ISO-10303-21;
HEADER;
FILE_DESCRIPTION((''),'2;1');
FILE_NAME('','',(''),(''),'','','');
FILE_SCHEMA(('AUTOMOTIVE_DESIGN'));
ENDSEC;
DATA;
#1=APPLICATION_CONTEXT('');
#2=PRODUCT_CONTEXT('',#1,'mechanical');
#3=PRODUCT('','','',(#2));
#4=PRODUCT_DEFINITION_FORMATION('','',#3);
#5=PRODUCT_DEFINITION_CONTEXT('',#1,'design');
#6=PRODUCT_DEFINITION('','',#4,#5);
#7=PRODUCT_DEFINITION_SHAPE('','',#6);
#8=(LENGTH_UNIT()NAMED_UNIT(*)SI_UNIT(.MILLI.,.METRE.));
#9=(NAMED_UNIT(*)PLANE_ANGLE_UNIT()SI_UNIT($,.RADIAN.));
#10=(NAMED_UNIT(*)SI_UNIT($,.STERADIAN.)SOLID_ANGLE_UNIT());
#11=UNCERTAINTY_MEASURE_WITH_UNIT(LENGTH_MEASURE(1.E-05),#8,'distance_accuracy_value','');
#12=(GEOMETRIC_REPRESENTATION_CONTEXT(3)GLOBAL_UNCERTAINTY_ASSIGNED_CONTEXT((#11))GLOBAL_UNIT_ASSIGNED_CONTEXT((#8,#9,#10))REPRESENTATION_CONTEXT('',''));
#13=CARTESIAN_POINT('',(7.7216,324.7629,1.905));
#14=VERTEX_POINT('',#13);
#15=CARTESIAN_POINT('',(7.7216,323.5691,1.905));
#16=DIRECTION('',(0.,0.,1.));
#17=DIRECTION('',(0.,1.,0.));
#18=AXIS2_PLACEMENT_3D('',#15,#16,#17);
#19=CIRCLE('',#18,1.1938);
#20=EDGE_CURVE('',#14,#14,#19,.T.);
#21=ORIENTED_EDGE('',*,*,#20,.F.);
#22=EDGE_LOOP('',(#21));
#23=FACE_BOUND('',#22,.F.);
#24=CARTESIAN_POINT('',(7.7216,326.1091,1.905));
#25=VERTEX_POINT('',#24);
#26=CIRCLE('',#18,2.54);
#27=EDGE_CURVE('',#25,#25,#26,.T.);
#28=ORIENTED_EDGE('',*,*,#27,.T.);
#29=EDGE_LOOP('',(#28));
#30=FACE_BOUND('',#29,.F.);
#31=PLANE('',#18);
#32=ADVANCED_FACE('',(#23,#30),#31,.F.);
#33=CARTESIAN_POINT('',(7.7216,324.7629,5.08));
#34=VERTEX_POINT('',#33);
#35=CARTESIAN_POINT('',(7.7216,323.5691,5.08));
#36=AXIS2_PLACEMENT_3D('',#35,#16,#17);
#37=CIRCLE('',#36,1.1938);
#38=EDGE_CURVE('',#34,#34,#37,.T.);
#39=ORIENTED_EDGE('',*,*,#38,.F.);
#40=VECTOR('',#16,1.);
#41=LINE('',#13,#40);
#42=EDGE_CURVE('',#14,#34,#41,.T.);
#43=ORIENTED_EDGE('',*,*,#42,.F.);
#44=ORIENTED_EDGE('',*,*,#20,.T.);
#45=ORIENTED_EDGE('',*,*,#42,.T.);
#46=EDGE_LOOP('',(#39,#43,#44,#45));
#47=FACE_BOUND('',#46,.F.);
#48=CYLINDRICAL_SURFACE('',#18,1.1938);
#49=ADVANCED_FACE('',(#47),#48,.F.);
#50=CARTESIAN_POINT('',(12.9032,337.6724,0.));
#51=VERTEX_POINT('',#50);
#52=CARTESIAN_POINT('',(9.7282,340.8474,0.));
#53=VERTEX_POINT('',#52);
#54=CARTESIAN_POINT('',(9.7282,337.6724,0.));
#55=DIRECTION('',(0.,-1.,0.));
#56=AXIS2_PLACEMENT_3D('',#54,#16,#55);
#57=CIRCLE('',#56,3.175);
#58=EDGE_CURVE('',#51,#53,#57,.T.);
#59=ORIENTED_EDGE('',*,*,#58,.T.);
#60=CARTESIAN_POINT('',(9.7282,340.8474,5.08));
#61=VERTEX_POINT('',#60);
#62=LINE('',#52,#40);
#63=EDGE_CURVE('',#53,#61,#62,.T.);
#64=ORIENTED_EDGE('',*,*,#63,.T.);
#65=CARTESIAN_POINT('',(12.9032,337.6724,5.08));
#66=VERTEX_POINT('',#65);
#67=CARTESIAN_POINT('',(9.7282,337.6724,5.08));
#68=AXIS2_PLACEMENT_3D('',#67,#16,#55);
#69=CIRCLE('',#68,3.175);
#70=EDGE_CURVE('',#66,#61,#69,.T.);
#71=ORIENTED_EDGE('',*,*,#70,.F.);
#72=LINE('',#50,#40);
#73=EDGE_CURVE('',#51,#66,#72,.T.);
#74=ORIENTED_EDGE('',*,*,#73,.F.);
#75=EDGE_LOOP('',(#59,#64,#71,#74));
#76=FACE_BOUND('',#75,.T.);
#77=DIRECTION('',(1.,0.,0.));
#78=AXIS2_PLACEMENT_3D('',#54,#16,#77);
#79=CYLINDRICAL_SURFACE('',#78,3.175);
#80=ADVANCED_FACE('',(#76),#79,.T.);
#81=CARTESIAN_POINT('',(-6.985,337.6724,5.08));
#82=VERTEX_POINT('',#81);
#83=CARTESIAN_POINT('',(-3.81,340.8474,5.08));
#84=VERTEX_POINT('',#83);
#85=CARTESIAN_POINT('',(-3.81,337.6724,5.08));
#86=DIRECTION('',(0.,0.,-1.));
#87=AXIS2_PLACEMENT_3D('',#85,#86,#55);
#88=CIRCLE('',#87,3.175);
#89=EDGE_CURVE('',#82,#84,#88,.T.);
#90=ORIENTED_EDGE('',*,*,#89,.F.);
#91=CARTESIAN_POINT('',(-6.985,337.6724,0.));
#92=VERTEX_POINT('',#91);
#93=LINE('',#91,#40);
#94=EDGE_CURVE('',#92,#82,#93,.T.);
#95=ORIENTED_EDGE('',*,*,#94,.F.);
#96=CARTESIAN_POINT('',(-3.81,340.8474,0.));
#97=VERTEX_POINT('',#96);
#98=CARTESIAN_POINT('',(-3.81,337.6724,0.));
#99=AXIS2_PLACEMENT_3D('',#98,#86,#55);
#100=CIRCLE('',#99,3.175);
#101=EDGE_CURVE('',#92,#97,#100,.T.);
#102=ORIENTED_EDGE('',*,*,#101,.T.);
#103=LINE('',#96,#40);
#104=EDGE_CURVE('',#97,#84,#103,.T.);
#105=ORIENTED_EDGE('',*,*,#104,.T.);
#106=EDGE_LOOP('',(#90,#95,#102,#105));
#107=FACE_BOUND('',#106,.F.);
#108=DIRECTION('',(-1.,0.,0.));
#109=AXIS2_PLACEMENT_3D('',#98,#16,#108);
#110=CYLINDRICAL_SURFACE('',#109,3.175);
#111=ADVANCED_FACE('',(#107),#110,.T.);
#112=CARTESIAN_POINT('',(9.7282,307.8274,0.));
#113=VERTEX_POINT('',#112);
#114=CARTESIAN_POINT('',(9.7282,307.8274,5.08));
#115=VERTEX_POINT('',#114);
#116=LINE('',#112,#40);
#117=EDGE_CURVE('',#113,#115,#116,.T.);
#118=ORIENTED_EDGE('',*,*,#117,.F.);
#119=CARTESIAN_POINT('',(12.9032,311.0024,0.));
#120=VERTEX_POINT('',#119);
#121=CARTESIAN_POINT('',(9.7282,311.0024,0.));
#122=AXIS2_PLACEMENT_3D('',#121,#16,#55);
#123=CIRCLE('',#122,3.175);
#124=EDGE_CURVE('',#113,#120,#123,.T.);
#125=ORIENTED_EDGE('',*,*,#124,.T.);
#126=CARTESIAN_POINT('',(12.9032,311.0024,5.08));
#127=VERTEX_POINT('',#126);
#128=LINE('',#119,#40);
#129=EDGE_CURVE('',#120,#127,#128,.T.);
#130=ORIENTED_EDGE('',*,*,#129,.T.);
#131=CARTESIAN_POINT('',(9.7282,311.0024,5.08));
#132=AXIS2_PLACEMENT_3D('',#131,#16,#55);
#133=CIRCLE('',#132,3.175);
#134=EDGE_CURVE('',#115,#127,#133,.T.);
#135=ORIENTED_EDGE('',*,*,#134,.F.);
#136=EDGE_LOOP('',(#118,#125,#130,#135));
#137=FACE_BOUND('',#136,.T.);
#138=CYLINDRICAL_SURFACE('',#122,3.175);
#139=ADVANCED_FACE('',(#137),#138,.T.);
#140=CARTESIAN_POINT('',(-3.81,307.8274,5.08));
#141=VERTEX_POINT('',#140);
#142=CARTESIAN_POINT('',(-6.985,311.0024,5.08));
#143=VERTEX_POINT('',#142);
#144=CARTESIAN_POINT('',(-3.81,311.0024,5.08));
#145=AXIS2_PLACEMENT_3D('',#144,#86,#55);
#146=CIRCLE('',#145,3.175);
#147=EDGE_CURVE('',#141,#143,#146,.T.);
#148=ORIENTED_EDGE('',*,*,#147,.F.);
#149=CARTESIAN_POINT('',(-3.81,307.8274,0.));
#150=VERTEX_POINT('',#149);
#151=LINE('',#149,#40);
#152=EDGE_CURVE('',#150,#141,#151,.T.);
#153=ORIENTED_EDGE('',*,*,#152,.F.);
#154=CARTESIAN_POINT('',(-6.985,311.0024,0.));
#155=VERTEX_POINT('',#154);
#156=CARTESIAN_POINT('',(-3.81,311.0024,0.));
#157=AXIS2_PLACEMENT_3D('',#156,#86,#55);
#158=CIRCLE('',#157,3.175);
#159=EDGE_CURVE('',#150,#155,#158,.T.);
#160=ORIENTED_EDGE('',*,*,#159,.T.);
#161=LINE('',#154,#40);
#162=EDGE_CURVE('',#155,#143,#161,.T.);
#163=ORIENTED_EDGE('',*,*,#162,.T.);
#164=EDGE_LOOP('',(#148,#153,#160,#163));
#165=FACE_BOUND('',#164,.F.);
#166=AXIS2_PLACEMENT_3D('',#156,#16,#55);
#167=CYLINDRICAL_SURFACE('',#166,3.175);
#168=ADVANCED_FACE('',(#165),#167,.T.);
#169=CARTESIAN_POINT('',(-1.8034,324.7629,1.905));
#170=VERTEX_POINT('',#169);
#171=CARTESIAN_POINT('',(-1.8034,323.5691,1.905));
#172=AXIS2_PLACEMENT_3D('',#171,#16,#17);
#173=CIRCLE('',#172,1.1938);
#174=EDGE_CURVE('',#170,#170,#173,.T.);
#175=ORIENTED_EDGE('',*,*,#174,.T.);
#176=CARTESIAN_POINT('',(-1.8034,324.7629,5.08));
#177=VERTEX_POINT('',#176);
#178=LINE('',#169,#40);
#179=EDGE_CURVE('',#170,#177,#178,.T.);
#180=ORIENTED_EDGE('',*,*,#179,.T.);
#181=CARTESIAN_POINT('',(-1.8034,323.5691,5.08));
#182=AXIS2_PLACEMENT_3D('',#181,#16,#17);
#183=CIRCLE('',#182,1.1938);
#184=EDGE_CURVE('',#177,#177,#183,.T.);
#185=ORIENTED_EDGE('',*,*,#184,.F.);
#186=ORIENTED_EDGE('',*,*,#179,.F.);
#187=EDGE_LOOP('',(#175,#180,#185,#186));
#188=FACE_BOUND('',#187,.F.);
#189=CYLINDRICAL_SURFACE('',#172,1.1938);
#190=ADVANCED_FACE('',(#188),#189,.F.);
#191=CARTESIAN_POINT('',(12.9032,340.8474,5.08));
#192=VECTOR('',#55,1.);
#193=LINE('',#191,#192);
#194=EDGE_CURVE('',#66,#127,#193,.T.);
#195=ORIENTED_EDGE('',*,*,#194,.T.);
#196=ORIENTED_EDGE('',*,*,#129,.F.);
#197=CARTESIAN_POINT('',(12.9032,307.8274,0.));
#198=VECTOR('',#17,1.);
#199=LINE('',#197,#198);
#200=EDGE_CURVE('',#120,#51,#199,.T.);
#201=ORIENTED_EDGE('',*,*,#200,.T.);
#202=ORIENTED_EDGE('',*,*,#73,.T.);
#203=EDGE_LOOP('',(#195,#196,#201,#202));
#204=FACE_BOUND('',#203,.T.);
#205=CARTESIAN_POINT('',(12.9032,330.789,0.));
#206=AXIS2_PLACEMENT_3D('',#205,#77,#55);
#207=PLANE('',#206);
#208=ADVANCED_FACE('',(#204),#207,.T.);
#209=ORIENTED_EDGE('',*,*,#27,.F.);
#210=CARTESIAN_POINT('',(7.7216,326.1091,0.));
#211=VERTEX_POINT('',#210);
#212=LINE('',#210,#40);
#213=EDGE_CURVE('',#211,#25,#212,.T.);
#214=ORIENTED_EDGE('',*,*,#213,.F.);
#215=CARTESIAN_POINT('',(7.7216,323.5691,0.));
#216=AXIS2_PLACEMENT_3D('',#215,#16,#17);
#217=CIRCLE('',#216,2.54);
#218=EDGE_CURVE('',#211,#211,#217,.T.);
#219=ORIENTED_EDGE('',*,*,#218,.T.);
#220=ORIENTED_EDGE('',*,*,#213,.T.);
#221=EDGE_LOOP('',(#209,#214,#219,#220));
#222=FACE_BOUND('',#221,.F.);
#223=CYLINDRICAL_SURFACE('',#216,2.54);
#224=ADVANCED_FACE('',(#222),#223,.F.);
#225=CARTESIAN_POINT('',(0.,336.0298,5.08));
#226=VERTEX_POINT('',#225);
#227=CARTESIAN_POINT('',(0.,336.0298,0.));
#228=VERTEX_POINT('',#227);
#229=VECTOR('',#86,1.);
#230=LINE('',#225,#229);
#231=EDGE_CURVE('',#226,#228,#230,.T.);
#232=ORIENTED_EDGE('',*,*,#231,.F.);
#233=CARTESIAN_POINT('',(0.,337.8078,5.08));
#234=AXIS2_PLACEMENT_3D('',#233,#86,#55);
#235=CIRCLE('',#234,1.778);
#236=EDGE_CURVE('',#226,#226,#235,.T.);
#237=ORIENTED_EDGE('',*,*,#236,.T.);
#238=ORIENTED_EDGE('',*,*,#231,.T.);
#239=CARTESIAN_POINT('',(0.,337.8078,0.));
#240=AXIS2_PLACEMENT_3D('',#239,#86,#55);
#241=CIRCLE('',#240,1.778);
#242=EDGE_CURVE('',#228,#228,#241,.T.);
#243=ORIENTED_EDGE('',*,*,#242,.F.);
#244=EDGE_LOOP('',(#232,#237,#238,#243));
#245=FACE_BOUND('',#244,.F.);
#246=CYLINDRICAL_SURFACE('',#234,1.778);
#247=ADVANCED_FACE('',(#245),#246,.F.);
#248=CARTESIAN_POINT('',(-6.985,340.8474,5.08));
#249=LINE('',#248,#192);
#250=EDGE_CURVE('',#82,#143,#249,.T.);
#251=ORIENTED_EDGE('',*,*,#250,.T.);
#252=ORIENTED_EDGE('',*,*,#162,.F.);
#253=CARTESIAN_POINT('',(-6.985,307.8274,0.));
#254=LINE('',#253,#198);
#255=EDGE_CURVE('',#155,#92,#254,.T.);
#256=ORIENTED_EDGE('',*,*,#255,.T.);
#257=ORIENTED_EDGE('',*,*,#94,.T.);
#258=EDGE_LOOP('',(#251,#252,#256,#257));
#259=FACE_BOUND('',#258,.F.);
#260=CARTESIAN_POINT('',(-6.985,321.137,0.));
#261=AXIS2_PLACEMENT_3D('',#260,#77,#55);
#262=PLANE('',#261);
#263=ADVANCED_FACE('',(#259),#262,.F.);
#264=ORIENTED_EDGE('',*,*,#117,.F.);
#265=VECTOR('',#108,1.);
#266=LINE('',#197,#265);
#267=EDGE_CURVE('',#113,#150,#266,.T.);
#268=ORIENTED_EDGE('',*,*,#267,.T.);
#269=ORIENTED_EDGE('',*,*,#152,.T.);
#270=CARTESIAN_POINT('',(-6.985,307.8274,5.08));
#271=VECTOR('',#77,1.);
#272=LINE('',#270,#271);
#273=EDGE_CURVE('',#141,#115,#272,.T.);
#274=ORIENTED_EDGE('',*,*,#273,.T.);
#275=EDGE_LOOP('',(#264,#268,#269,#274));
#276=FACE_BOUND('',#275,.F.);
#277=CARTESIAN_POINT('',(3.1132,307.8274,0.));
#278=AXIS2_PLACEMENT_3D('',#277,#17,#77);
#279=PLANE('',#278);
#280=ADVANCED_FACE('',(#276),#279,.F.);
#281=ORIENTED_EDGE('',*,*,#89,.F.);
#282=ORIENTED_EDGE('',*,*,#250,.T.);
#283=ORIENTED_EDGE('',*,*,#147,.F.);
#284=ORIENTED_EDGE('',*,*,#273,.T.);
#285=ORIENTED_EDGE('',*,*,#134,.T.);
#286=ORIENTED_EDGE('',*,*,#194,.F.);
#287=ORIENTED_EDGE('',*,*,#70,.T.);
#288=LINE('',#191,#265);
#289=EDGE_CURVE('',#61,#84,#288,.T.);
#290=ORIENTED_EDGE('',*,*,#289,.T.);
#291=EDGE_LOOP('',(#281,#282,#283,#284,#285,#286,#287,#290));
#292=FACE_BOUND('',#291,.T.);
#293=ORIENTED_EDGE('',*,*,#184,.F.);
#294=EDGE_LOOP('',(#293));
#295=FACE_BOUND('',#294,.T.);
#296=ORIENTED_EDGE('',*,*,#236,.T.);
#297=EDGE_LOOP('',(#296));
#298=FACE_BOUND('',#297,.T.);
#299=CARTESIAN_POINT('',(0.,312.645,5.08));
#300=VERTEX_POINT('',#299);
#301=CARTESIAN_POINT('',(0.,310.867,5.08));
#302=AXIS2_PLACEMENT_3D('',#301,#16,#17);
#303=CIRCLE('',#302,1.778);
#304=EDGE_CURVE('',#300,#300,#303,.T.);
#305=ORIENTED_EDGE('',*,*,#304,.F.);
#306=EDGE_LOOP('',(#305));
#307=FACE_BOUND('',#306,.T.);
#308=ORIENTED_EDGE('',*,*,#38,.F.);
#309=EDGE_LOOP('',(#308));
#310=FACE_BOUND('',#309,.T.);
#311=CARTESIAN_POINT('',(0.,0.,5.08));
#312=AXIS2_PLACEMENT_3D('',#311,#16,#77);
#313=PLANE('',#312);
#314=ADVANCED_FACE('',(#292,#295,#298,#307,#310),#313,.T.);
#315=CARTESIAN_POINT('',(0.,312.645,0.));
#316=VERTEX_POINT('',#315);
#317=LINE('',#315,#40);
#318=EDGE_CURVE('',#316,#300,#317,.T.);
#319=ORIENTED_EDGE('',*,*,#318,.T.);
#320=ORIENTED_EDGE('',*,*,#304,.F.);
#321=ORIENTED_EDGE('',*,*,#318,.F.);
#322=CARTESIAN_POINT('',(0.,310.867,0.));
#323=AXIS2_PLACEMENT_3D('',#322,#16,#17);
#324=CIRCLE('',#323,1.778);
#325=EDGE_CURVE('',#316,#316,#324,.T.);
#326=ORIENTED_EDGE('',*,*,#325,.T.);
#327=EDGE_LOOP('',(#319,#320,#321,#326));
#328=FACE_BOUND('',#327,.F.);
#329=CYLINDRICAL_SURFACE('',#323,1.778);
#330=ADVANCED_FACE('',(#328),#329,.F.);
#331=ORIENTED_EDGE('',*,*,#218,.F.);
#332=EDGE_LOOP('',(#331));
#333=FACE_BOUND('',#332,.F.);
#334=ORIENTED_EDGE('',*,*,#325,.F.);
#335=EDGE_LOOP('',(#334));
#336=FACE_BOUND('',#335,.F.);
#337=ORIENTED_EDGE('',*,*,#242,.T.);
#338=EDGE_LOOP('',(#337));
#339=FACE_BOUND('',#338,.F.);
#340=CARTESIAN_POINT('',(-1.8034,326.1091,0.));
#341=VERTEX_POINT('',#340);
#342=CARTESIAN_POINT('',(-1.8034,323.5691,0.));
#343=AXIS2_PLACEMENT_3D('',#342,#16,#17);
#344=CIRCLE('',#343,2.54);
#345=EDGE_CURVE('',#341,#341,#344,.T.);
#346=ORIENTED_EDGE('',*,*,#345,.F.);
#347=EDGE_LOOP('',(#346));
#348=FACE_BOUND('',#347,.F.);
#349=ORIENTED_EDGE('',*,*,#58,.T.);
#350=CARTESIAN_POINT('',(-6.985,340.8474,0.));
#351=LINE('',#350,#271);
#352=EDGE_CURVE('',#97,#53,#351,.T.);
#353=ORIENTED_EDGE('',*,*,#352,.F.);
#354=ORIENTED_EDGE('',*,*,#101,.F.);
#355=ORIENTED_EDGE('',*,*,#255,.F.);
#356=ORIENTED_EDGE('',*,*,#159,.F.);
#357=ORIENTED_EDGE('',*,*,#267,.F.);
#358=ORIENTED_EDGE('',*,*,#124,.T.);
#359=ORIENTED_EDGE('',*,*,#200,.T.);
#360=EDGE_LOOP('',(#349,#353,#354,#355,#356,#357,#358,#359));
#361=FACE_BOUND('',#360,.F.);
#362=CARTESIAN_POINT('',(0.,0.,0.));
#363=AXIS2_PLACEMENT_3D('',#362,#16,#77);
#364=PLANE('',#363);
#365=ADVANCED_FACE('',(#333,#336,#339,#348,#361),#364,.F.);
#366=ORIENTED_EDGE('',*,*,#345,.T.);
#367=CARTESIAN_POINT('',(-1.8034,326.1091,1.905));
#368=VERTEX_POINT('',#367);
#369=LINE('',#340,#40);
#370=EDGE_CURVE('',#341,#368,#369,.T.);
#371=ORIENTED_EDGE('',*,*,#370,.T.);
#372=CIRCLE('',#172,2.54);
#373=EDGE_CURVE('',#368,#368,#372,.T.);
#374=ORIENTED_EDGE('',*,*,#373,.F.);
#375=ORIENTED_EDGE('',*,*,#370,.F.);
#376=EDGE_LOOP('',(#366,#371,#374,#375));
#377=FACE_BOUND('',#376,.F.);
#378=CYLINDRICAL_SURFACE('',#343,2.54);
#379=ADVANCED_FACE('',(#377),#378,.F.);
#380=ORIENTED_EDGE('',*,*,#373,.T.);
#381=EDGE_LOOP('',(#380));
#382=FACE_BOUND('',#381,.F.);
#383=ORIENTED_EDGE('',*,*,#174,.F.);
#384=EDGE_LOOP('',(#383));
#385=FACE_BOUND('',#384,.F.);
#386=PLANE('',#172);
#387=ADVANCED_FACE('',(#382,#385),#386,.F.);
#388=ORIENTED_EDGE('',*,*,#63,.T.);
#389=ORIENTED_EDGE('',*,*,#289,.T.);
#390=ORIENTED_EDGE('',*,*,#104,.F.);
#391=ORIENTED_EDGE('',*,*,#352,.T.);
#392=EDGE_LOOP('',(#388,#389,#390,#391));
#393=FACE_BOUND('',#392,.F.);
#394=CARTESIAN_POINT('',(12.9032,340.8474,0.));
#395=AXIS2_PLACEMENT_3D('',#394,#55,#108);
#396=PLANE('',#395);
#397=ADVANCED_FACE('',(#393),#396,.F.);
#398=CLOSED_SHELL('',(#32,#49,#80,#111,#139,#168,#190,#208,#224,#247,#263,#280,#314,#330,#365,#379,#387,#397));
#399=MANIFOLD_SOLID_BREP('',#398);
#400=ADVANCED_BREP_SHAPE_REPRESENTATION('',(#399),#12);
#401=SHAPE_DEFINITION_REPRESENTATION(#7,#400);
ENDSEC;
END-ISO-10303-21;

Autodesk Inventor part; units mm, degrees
ref_plane "YZ Plane" through (0, 0, 0) normal (1, 0, 0) x (0, 1, 0)
ref_plane "XZ Plane" through (0, 0, 0) normal (0, 1, 0) x (-1, 0, 0)
ref_plane "Work Plane1" through (0, 0, 0) normal (0, 0, 1) x (1, 0, 0)
sketch "Sketch1" plane through (0, 0, 0) normal (0, 0, 1) x (1, 0, 0)
  line L0 (12.9032, 330.789) -> (12.9032, 321.137) projected
  line L1 (-6.985, 321.137) -> (-6.985, 330.0524) projected
  line L2 (3.1132, 307.8274) -> (-3.1132, 307.8274) projected
  line L3 (3.1132, 340.8474) -> (-3.1132, 340.8474) projected
  line L4 (12.9032, 340.8474) -> (-6.985, 340.8474)
  line L5 (-6.985, 340.8474) -> (-6.985, 307.8274)
  line L6 (-6.985, 307.8274) -> (12.9032, 307.8274)
  line L7 (12.9032, 307.8274) -> (12.9032, 340.8474)
  arc A0 (-1.7468, 337.6651) -> (-1.3298, 338.9494) centre (0, 337.8078) ccw
  arc A1 (-1.7468, 310.7243) -> (-1.3298, 312.0086) centre (0, 310.867) ccw
  circle A2 centre (0, 337.8078) radius 1.778
  point P0 (0, 0)
  dimension "d2" = 3.556
ref_plane "Work Plane2" through (-6.985, 321.137, 5.08) normal (0, 0, -1) x (0, 1, 0)
extrude "Extrusion1" add sketch "Sketch1" along normal up to surface (5.08 mm away) contours L0 L7 L6 L2 L5 L1 L4 L3 | A2
sketch "Sketch3" plane through (-6.985, 340.8474, 5.08) normal (0, 0, 1) x (1, 0, 0)
  circle A0 centre (5.1816, -17.2783) radius 1.1938 projected
  circle A1 centre (14.7066, -17.2783) radius 1.1938 projected
  circle A2 centre (5.1816, -17.2783) radius 1.1938
  circle A3 centre (14.7066, -17.2783) radius 1.1938
  arc A4 (8.2018, -4.301) -> (6.9677, -4.7921) centre (6.985, -3.0396) ccw projected
  arc A5 (8.2018, -31.2417) -> (6.9677, -31.7329) centre (6.985, -29.9804) ccw projected
  circle A6 centre (6.985, -3.0396) radius 1.778
  circle A7 centre (6.985, -29.9804) radius 1.778
  arc A8 (8.2018, -31.2417) -> (6.9677, -31.7329) centre (6.985, -29.9804) ccw
  circle A9 centre (6.985, -29.9804) radius 1.778
  point P0 (6.985, -340.8474)
  dimension "d17" = 3.556
  dimension "d18" = 3.556
  dimension "d26" = 3.556
sketch "Sketch4" plane through (0, 0, 0) normal (0, 0, -1) x (-1, 0, 0)
  circle A0 centre (1.8034, 323.5691) radius 1.1938 projected
  circle A1 centre (-7.7216, 323.5691) radius 1.1938 projected
  circle A2 centre (1.8034, 323.5691) radius 1.1938
  circle A3 centre (-7.7216, 323.5691) radius 1.1938
  point P0 (0, 0)
hole "Hole1" at (-1.8034, 323.5691, 0) direction (0, 0, 1) diameter 2.3876 end through all counterbore diameter 5.08 counterbore depth 1.905
sketch "Sketch5" plane through (0, 0, 0) normal (0, 0, -1) x (-1, 0, 0)
  circle A0 centre (-7.7216, 323.5691) radius 1.1938 projected
  circle A1 centre (-7.7216, 323.5691) radius 1.1938 projected
  circle A2 centre (-7.7216, 323.5691) radius 1.1938
  point P0 (0, 0)
hole "Hole2" at (7.7216, 323.5691, 0) direction (0, 0, 1) diameter 2.3876 end through all counterbore diameter 5.08 counterbore depth 1.905
hole "Hole3" at (0, 337.8078, 5.08) direction (0, 0, -1) diameter 3.556 end through all
sketch "Sketch6" plane through (0, 0, 0) normal (0, 0, -1) x (-1, 0, 0)
  arc A0 (0.0173, 309.1145) -> (-1.2168, 309.6057) centre (0, 310.867) ccw projected
  circle A1 centre (0, 310.867) radius 1.778
  point P0 (0, 0)
  dimension "d27" = 3.556
hole "Hole4" at (0, 310.867, 0) direction (0, 0, 1) diameter 3.556 end through all
fillet "Fillet1" radius 3.175 1 edges at (-6.985, 307.8274, 2.54)
fillet "Fillet2" radius 3.175 1 edges at (-6.985, 340.8474, 2.54)
fillet "Fillet3" radius 3.175 1 edges at (12.9032, 307.8274, 2.54)
fillet "Fillet4" radius 3.175 1 edges at (12.9032, 340.8474, 2.54)
properties part number "Switch on T nut holder"
